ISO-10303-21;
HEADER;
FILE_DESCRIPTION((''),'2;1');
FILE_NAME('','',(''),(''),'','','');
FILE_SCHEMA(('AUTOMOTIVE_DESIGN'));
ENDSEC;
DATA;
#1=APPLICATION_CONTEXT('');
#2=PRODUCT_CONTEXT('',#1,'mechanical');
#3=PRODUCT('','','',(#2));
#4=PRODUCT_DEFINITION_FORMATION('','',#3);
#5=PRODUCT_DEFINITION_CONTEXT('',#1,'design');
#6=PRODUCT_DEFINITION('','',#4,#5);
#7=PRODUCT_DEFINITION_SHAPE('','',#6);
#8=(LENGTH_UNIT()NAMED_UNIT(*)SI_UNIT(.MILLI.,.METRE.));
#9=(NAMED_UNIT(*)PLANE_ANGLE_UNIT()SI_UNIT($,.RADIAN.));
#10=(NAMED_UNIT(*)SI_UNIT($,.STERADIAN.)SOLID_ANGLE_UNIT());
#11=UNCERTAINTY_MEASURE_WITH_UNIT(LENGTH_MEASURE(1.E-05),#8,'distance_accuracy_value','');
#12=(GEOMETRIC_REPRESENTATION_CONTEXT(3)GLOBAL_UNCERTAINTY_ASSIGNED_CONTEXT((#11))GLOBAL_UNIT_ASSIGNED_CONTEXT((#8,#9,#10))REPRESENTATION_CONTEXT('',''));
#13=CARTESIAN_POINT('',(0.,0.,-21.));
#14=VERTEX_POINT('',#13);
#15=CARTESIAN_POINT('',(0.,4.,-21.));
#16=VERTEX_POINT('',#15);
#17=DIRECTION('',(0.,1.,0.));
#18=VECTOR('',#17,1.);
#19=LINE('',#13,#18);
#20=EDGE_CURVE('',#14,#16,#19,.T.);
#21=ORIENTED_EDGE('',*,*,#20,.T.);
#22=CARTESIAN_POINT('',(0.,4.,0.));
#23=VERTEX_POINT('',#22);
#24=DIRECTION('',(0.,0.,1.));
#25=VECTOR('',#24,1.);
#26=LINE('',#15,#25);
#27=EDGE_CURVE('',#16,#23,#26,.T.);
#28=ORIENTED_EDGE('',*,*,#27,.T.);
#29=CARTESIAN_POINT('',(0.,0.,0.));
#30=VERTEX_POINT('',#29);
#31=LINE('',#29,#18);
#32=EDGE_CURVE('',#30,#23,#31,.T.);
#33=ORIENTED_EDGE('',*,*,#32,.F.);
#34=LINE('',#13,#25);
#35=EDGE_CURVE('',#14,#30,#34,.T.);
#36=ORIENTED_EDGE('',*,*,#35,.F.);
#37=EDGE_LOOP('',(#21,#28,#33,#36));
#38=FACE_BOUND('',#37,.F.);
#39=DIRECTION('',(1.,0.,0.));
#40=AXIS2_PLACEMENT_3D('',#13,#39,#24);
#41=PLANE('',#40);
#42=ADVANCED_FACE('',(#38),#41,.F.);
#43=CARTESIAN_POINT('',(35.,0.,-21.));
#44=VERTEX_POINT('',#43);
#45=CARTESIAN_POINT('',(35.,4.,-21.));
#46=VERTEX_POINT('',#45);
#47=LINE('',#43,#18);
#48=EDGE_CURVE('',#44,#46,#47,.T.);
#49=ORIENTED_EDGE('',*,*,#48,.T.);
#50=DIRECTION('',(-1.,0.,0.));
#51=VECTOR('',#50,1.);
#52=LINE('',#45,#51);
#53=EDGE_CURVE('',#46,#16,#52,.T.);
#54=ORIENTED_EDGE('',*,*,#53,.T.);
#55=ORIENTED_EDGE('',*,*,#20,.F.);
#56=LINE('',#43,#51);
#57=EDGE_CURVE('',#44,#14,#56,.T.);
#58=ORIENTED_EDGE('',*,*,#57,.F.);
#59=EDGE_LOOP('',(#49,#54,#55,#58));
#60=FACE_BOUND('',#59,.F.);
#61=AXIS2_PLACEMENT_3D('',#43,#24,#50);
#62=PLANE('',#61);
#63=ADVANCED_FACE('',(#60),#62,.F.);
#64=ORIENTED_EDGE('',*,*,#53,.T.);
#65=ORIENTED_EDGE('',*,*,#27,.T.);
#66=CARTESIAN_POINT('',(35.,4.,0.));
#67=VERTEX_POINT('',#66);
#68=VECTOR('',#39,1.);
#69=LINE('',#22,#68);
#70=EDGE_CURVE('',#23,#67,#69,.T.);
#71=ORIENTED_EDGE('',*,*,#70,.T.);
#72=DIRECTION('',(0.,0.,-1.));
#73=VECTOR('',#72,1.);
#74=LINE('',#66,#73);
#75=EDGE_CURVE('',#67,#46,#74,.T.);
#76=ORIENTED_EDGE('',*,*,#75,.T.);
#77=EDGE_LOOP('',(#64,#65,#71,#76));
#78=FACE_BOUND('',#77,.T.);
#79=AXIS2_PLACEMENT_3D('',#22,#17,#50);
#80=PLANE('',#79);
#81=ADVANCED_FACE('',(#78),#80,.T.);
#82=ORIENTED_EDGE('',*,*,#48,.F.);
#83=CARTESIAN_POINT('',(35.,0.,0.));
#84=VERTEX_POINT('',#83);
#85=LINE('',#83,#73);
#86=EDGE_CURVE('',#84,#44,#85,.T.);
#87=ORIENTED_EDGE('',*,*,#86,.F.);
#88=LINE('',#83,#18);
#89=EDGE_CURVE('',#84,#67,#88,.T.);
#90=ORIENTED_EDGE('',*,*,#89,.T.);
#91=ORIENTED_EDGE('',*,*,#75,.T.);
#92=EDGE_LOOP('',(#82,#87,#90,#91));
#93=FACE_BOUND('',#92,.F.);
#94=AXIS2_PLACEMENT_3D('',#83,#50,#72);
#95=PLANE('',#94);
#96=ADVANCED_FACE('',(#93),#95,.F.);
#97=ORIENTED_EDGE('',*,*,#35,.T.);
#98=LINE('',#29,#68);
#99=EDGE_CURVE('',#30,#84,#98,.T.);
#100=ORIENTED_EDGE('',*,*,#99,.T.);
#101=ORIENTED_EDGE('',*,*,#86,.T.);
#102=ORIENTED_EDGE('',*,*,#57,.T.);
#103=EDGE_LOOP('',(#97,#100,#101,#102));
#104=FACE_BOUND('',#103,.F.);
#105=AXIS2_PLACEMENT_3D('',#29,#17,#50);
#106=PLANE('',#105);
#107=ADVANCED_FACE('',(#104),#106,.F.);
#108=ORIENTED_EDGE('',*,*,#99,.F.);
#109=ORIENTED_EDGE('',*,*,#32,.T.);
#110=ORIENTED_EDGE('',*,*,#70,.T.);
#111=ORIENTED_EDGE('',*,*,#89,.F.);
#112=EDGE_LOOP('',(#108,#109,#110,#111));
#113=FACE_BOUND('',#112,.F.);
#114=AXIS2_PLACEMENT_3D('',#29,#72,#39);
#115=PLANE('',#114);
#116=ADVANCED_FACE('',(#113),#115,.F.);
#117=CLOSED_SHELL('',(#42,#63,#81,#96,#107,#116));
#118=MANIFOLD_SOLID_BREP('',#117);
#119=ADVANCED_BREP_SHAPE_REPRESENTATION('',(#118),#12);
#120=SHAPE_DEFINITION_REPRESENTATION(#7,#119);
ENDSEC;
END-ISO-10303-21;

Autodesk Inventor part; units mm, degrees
ref_plane "YZ Plane" through (0, 0, 0) normal (1, 0, 0) x (0, 1, 0)
ref_plane "XZ Plane" through (0, 0, 0) normal (0, 1, 0) x (-1, 0, 0)
ref_plane "XY Plane" through (0, 0, 0) normal (0, 0, 1) x (1, 0, 0)
sketch "Sketch1" plane through (0, 0, 0) normal (0, 1, 0) x (-1, 0, 0)
  line L0 (0, 0) -> (-35, 0)
  line L1 (-35, 0) -> (-35, -21)
  line L2 (-35, -21) -> (0, -21)
  line L3 (0, -21) -> (0, 0)
  dimension "d0" = 35
  dimension "d1" = 21
extrude "Extrusion1" add sketch "Sketch1" along normal blind 4
properties part number "Ceramic Heating Element"
